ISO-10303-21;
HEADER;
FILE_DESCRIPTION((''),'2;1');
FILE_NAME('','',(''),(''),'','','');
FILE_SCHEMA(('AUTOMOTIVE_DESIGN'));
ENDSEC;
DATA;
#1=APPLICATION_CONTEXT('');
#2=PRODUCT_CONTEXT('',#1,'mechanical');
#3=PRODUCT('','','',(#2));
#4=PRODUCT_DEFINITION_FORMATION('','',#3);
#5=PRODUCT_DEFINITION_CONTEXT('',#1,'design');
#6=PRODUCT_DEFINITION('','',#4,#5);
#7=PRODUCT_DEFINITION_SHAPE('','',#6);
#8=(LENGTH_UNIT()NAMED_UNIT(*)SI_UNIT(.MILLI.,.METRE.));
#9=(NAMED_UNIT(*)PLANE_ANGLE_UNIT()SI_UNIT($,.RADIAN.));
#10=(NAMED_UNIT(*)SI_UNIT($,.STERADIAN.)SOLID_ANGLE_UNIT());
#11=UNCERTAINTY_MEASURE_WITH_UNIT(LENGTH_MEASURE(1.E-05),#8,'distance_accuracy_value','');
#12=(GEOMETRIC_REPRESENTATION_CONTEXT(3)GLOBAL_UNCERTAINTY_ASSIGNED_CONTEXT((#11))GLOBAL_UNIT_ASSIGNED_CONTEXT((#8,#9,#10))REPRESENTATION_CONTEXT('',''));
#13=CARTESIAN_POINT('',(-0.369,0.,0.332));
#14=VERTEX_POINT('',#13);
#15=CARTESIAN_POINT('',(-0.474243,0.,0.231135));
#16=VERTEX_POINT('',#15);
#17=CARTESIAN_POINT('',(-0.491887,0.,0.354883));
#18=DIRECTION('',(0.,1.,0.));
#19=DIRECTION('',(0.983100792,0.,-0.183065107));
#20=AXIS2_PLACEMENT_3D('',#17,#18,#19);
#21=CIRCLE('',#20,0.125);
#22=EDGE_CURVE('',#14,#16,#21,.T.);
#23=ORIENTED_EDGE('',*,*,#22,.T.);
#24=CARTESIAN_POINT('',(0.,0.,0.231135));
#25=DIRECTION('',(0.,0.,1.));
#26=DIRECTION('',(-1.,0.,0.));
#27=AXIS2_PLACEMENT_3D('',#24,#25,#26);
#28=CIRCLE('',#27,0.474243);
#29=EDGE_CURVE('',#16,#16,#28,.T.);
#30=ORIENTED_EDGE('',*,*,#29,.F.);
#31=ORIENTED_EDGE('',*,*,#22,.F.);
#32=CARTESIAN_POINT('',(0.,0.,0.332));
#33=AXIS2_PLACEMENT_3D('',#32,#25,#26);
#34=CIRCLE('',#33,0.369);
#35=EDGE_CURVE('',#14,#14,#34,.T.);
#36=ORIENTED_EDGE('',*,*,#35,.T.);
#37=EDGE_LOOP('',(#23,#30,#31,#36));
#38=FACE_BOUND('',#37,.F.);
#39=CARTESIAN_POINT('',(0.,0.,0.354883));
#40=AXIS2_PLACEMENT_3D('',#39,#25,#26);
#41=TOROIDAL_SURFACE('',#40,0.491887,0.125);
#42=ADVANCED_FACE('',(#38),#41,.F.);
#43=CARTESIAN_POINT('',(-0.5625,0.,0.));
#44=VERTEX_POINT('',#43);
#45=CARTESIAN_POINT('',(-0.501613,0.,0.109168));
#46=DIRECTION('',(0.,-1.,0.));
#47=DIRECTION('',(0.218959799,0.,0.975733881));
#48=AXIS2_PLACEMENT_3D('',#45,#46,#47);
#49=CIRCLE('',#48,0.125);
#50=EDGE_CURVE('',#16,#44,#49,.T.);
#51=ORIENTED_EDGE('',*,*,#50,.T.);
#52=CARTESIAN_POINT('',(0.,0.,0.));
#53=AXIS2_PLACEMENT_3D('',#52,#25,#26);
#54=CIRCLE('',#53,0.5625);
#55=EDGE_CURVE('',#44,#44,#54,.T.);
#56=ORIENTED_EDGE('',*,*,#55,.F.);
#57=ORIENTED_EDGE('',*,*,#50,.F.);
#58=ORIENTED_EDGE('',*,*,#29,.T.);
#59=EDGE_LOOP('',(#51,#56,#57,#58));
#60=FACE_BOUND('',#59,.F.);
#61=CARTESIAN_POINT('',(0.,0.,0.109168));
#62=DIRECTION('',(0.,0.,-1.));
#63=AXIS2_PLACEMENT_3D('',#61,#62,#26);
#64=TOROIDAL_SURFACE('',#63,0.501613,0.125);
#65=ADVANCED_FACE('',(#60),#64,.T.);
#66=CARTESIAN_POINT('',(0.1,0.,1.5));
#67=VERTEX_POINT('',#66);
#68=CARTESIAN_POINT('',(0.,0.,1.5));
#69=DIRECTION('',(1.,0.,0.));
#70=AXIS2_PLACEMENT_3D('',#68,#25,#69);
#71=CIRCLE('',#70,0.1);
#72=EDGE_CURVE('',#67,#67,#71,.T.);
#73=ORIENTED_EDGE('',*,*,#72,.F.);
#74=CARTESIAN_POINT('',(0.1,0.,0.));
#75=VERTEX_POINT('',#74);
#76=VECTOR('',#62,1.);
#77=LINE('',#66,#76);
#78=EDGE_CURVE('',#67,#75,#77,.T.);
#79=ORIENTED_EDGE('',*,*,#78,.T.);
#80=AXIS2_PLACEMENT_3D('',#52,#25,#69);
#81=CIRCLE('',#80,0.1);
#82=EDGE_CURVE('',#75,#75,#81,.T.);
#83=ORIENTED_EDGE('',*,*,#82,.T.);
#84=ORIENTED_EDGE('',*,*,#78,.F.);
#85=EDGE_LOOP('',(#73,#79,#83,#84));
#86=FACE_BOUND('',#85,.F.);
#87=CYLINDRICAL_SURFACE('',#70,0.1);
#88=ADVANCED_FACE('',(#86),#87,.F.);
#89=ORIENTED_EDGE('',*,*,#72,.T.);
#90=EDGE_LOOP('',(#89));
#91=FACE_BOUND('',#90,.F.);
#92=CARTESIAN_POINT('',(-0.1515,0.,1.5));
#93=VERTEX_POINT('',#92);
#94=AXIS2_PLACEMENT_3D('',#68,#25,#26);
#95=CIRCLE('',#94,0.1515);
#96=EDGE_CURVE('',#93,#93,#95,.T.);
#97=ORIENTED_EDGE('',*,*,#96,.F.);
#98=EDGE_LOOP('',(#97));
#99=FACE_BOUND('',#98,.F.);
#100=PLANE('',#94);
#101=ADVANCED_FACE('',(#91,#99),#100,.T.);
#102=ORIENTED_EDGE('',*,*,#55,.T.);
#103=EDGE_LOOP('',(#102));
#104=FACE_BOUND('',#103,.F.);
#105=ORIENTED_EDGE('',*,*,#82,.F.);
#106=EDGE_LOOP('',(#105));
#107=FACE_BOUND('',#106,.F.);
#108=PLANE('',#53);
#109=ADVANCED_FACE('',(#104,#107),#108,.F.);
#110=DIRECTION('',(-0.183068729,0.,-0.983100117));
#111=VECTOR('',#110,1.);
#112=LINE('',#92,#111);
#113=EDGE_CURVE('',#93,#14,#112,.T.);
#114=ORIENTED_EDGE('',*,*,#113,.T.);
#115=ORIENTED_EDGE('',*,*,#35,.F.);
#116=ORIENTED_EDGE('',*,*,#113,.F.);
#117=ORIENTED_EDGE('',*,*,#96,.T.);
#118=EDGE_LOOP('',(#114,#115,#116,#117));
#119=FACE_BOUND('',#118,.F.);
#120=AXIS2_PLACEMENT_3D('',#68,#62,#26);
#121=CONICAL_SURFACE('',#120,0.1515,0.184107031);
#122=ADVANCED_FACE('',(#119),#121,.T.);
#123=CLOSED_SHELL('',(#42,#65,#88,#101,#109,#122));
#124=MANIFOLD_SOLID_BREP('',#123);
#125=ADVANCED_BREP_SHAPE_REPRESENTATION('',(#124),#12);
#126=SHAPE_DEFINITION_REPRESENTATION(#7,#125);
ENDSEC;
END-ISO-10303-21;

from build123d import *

# Parameters (mm, degrees)
F2_R     = 0.1
F3_DEPTH = 1.5


with BuildPart() as f1:
    # F0 (on Front) → F1 (revolve)
    with BuildSketch(Plane.XZ):
        with BuildLine():
            Line((-0.5625, 0), (0, 0))
            Line((0, 0), (0, 1.5))
            Line((0, 1.5), (-0.1515, 1.5))
            Line((-0.1515, 1.5), (-0.369, 0.332))
            ThreePointArc((-0.369, 0.332), (-0.405396, 0.264638), (-0.474243, 0.231135))
            ThreePointArc((-0.474243, 0.231135), (-0.618389, 0.153759), (-0.5625, 0))
        make_face()
    revolve(axis=Axis((0, 0, 0.75), (0, 0, 1)))

    # F2 (on face) → F3 (cut)
    with BuildSketch(Plane.XY.offset(1.5)):
        Circle(F2_R)
    extrude(amount=-F3_DEPTH, mode=Mode.SUBTRACT)


solid = f1.part
